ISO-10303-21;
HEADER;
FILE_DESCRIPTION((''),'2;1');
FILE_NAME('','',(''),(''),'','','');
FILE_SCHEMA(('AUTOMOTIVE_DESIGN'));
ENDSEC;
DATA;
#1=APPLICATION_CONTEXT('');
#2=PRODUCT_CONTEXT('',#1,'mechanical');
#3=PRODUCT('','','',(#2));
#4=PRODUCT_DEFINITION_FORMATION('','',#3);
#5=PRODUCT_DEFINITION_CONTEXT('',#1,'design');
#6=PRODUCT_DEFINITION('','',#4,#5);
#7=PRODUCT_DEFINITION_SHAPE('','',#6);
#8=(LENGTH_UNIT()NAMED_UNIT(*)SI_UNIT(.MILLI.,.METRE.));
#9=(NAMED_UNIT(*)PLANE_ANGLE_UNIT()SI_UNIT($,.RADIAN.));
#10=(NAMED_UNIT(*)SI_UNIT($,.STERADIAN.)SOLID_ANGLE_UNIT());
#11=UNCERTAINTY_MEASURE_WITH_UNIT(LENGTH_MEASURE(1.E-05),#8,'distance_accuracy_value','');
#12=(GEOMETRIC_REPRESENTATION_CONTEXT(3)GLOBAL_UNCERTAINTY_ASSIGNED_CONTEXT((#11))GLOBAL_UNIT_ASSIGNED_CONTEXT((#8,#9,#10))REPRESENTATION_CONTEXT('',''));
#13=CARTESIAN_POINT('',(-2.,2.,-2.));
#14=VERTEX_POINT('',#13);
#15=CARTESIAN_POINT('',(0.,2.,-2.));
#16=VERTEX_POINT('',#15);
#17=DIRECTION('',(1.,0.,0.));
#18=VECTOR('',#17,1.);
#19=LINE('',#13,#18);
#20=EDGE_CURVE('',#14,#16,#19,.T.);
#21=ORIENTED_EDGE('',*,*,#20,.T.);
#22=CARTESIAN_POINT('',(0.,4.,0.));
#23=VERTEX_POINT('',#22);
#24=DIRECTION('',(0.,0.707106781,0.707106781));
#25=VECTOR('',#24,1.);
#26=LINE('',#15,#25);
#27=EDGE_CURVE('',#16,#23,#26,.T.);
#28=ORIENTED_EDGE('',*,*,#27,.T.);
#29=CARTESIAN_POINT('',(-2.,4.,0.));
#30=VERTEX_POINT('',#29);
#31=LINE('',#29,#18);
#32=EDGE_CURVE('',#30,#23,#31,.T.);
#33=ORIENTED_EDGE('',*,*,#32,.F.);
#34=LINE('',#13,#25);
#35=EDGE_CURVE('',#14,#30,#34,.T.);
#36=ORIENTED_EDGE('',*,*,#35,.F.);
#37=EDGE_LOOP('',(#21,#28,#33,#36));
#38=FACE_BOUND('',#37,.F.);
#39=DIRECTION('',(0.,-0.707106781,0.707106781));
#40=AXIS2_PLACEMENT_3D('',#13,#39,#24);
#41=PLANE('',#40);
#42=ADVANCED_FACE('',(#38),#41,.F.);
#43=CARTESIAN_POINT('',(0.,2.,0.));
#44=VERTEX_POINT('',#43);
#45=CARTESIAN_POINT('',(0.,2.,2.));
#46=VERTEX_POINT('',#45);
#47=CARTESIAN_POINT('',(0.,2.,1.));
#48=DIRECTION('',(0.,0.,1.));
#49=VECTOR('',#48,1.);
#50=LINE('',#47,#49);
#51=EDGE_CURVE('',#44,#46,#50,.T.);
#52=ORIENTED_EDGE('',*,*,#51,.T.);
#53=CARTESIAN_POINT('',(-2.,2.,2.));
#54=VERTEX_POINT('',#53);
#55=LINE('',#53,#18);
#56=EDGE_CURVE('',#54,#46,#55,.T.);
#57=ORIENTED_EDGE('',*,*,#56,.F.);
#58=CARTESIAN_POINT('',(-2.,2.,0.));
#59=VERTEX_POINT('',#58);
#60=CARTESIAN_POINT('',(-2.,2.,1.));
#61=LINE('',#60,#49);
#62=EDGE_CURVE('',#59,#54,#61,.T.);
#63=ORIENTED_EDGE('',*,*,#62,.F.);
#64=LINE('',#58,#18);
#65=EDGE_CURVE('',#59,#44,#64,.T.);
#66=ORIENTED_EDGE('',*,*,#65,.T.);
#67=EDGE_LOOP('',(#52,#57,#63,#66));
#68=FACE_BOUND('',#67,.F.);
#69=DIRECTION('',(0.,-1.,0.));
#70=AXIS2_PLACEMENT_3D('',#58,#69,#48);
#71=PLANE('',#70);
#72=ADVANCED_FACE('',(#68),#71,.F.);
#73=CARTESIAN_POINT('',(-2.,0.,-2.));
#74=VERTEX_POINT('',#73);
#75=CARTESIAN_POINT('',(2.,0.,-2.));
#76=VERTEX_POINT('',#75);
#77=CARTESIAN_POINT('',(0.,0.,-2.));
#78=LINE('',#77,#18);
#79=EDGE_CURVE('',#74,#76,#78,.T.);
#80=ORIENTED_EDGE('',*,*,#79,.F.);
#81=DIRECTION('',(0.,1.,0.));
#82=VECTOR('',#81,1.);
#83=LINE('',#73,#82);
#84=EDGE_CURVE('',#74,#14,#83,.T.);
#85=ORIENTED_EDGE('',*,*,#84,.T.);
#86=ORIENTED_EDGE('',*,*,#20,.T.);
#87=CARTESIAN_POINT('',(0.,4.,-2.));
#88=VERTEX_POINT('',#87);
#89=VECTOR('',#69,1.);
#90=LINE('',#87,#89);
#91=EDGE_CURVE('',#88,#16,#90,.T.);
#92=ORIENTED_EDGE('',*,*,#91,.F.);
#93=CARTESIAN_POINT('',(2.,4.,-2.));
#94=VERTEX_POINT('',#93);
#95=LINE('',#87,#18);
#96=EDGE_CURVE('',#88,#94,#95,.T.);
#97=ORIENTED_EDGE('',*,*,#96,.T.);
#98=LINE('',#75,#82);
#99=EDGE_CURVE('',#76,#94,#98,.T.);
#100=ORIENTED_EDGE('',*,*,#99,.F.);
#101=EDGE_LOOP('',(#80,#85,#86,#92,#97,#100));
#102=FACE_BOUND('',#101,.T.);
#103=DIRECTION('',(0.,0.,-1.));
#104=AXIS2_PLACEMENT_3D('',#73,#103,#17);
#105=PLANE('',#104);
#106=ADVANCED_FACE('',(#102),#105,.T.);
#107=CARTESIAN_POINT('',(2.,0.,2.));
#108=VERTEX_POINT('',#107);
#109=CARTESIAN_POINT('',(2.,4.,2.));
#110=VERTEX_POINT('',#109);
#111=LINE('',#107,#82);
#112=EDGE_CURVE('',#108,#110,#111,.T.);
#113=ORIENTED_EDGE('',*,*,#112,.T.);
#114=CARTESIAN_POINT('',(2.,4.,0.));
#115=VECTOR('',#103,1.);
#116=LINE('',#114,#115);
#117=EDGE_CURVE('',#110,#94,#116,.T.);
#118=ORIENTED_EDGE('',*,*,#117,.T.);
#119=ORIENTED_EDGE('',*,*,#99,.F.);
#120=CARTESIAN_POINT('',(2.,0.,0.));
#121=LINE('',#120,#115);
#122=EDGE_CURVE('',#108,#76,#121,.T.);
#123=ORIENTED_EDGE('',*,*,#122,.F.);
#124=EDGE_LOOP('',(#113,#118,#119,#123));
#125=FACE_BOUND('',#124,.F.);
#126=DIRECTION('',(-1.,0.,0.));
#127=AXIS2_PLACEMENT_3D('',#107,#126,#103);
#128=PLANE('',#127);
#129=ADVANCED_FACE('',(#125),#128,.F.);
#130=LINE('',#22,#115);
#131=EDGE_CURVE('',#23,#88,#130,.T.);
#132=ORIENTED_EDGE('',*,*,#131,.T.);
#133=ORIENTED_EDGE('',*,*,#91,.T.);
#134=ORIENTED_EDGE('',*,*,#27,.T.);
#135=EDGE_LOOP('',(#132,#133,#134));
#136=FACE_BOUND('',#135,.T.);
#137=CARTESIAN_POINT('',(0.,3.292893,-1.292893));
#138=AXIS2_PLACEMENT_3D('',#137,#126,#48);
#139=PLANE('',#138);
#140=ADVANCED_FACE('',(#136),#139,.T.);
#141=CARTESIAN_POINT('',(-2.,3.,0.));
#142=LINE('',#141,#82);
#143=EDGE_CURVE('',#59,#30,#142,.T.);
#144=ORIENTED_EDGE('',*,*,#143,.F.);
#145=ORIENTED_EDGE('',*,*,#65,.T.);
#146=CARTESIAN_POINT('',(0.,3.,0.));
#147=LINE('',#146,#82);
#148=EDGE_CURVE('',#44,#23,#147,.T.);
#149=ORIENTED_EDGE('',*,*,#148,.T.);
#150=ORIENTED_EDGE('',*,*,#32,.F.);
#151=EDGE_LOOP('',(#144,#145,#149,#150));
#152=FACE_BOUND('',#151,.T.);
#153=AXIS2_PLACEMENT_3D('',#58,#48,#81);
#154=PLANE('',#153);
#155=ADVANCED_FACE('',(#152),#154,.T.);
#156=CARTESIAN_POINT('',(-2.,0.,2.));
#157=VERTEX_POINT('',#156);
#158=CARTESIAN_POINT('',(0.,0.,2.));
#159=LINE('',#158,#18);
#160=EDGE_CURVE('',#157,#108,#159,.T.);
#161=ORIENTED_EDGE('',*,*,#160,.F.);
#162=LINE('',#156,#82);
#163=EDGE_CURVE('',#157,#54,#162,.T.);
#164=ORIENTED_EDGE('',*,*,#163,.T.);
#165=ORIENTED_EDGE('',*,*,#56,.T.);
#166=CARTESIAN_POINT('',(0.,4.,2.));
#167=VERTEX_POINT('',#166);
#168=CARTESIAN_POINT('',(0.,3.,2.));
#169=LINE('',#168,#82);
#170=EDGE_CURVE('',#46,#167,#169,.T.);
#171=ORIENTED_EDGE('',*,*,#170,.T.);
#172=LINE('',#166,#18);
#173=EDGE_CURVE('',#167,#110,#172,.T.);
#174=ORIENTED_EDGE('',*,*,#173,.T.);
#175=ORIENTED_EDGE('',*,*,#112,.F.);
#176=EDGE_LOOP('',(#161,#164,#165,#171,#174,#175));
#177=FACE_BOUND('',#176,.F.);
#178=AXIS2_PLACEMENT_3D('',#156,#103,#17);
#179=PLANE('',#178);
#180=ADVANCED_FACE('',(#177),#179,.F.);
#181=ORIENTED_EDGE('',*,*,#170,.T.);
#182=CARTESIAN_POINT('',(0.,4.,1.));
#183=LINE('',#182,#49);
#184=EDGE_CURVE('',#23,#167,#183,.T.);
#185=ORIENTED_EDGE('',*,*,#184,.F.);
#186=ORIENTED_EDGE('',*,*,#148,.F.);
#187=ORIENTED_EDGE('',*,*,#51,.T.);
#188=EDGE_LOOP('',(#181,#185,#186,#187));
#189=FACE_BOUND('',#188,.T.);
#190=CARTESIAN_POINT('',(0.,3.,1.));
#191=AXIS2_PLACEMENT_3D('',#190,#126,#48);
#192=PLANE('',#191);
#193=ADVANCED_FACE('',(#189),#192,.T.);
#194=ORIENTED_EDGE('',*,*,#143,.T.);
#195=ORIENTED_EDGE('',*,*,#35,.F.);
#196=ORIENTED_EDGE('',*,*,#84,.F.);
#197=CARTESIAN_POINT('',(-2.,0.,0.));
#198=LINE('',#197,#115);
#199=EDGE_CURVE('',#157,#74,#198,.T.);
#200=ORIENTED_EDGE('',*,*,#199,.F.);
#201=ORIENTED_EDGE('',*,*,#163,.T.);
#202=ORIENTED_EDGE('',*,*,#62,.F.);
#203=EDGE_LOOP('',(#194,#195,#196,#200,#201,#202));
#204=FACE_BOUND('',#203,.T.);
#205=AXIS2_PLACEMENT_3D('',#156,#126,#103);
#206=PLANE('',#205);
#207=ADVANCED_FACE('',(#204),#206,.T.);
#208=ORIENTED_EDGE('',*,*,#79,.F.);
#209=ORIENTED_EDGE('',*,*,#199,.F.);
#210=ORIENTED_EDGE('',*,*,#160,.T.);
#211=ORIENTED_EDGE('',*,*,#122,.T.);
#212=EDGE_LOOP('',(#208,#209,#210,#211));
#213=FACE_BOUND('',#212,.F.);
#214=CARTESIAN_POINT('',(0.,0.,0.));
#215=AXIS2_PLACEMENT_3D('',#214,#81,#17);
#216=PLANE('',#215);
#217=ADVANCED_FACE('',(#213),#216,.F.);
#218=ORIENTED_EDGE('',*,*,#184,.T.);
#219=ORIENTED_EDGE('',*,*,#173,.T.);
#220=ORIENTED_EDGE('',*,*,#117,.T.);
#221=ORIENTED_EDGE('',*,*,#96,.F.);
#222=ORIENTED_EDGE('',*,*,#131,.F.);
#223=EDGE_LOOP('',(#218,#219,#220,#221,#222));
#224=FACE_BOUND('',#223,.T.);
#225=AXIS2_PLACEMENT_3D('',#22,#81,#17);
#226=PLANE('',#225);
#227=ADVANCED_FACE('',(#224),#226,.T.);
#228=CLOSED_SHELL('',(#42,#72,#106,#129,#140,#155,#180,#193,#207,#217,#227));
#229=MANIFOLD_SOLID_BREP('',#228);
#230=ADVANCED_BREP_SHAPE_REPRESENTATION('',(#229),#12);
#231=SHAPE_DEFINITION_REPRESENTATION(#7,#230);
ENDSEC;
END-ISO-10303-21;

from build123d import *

# Parameters (mm, degrees)
SKETCH1_W           = 4
SKETCH1_H           = 4
BOSS_EXTRUDE1_DEPTH = 4
SKETCH2_W           = 2
SKETCH2_H           = 2
CUT_EXTRUDE1_DEPTH  = 2


with BuildPart() as part:
    # Sketch1 → Boss-Extrude1 (new body)
    with BuildSketch(Plane(origin=(0, 0, 0), x_dir=(1, 0, 0), z_dir=(0, 1, 0))):
        Rectangle(SKETCH1_W, SKETCH1_H)
    extrude(amount=BOSS_EXTRUDE1_DEPTH)

    # Sketch2 → Cut-Extrude1 (cut)
    with BuildSketch(Plane.ZY.offset(2)):
        Polygon((-2, 4), (-2, 2), (0, 4), align=None)
        with Locations((1, 3)):
            Rectangle(SKETCH2_W, SKETCH2_H)
    extrude(amount=-CUT_EXTRUDE1_DEPTH, mode=Mode.SUBTRACT)


solid = part.part
